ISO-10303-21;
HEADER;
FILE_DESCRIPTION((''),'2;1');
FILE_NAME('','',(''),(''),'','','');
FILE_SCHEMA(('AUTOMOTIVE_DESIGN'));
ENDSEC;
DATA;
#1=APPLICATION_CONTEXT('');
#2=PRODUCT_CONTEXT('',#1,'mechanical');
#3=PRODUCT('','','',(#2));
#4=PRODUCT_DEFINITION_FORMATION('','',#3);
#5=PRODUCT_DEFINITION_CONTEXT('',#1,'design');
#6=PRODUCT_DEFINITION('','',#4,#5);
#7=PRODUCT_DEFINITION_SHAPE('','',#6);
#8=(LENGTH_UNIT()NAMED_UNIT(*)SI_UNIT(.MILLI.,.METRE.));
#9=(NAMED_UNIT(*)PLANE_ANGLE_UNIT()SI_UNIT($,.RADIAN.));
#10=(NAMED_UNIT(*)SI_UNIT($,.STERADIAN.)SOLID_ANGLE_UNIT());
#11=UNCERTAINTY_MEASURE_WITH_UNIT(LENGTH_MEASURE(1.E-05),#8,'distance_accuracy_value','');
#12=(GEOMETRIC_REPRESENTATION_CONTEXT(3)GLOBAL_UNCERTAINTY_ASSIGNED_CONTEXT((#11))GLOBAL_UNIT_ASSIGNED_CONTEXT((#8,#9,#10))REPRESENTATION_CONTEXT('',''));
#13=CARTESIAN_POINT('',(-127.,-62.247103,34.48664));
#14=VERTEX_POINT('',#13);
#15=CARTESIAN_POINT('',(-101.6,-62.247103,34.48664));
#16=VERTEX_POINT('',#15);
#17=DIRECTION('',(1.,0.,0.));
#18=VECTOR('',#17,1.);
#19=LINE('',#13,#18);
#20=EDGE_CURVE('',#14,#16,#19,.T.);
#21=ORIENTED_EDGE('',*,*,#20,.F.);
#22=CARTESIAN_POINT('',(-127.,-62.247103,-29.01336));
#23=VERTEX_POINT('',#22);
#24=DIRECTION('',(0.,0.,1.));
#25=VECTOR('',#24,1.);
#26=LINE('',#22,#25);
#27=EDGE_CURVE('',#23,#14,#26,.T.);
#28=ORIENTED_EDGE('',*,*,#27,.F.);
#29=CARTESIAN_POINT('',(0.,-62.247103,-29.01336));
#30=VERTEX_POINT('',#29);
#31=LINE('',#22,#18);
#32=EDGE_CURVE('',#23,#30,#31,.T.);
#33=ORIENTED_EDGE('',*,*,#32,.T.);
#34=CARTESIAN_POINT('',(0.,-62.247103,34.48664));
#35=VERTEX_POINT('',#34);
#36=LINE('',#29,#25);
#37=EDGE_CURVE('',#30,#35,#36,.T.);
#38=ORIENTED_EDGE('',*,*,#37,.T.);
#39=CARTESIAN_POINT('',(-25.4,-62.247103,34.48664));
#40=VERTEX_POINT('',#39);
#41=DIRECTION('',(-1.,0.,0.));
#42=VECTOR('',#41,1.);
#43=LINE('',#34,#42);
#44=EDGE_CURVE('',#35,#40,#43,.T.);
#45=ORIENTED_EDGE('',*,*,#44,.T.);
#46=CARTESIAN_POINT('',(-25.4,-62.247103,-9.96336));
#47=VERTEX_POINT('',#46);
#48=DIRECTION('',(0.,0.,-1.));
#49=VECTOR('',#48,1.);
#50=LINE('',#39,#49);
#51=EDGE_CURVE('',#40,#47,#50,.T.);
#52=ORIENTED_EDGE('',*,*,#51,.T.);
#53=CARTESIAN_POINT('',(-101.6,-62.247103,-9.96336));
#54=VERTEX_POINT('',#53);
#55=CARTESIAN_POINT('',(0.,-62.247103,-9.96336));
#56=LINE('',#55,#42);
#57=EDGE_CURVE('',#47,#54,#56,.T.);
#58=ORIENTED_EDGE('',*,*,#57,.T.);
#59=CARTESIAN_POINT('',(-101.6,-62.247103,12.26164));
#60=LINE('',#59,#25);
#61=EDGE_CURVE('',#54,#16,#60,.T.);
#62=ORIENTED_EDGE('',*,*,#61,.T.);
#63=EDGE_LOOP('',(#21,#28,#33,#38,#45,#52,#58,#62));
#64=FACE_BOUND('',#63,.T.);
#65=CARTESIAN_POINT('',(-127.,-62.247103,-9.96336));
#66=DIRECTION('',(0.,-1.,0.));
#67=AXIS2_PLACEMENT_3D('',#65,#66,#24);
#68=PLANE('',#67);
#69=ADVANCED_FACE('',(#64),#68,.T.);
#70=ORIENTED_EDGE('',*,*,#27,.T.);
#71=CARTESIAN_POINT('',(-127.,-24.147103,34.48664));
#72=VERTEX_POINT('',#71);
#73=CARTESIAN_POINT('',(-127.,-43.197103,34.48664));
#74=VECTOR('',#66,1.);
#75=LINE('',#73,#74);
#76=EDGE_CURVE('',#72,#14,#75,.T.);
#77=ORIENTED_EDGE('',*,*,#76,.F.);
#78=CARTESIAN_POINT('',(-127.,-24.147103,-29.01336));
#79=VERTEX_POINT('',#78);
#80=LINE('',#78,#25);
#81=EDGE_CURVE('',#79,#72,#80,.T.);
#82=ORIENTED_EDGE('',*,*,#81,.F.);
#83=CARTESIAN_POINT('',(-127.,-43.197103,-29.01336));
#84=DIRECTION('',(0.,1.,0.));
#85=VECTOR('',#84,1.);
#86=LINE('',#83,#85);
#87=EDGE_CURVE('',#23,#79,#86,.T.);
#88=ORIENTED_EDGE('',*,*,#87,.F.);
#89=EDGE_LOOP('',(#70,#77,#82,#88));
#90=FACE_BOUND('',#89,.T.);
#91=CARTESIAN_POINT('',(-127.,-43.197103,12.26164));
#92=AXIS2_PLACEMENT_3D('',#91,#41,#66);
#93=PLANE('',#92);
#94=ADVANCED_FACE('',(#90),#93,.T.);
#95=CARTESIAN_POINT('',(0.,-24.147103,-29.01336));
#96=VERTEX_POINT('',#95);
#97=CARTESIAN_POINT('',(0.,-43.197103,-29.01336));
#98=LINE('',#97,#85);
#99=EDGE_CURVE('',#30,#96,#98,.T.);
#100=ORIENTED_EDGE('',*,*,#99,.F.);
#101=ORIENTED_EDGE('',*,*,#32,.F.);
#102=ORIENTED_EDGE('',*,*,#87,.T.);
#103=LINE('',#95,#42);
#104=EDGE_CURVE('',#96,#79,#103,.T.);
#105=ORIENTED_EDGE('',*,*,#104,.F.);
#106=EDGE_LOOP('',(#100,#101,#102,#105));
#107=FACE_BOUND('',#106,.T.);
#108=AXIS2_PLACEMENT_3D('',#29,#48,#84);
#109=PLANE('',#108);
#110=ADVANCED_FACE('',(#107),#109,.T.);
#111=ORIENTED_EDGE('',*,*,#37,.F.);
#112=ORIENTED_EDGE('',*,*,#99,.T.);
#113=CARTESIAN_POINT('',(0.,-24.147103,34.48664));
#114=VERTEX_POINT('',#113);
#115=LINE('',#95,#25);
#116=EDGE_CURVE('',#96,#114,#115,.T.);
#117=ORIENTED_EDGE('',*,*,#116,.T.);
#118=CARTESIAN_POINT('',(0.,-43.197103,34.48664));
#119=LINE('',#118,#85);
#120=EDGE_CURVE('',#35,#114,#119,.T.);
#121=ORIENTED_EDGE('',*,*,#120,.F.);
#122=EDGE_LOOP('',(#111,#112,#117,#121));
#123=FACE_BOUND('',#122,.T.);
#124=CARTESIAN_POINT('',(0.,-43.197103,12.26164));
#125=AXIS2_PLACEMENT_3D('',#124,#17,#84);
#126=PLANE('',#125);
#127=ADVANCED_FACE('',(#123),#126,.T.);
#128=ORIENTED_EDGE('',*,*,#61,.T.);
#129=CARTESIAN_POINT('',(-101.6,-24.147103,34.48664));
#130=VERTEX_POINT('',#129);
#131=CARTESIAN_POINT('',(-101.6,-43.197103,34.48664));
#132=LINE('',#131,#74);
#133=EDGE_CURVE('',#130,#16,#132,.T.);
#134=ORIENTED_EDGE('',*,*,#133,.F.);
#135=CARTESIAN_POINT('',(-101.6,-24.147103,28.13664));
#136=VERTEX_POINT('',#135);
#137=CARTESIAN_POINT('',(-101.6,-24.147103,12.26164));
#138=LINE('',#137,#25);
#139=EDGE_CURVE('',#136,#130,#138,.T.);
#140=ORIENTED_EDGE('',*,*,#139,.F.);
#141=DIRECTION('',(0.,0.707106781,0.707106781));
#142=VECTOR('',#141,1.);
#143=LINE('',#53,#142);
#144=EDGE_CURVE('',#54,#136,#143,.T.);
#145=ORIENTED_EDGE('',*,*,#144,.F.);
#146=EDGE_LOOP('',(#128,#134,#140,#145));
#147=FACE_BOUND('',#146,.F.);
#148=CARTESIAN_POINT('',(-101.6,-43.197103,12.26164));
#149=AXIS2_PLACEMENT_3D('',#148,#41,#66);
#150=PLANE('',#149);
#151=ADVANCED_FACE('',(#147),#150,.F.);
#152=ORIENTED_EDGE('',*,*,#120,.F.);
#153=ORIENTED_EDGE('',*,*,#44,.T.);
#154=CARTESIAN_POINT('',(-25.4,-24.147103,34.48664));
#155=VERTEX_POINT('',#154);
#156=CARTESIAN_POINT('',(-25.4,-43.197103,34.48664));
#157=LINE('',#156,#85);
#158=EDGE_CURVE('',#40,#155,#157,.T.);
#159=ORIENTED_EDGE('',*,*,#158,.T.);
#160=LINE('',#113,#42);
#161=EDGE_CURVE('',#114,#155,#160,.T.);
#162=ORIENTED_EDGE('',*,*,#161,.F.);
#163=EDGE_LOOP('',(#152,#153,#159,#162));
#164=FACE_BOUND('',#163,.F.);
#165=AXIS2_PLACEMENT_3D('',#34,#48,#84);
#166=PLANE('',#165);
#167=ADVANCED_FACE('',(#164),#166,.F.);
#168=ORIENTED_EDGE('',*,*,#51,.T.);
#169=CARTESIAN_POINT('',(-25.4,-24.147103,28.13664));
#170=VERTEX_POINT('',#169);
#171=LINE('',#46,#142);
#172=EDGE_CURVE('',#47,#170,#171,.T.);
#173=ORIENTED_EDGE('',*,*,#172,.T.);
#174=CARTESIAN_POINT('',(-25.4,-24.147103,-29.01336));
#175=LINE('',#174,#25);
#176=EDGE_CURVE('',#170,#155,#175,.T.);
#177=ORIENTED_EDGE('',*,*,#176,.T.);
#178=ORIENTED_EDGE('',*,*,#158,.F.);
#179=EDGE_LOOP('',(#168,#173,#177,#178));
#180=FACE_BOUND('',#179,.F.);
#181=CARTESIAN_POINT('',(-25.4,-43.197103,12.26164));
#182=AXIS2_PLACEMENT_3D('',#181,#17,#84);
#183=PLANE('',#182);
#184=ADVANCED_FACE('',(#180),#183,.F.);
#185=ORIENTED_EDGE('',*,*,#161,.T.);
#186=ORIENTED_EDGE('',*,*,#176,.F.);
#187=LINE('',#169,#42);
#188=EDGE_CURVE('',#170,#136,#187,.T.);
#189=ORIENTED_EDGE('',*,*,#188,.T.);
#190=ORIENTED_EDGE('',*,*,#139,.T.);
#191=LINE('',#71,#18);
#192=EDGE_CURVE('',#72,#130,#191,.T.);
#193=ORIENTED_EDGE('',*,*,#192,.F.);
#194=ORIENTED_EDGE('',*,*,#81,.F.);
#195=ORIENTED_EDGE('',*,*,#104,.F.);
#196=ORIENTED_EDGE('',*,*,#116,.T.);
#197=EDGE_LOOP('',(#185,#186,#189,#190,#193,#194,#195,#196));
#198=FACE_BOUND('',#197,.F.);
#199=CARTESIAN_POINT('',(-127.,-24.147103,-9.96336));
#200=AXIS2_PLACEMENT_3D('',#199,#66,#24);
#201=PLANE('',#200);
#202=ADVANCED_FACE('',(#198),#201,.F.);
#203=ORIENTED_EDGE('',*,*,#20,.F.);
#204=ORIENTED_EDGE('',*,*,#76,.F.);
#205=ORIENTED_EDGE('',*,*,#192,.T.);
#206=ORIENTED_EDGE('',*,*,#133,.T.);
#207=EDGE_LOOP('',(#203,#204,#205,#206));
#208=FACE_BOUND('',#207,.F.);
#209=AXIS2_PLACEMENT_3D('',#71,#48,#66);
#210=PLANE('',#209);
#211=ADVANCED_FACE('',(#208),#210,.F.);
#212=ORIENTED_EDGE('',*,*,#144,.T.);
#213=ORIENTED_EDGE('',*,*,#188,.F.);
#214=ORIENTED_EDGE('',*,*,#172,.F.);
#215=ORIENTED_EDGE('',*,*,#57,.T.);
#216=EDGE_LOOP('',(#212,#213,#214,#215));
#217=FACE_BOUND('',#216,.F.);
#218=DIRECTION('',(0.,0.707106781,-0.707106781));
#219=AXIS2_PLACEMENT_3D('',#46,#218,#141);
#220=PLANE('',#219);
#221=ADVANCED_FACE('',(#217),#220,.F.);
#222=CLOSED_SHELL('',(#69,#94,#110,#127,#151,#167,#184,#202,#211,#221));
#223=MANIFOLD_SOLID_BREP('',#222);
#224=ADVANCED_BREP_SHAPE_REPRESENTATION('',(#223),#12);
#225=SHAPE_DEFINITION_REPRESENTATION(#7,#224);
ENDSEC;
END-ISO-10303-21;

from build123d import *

# Parameters (mm, degrees)
F0_W     = 38.1
F0_H     = 19.05
F1_DEPTH = 127
F2_W     = 38.1
F2_H     = 44.45
F2_H_2   = 19.05
F3_DEPTH = 25.4
F5_DEPTH = 76.2
F6_W     = 38.1
F6_H     = 44.45
F7_DEPTH = 25.4


with BuildPart() as f1:
    # F0 (on Right) → F1 (new body)
    with BuildSketch(Plane.YZ):
        with Locations((-43.197103, -19.48836)):
            Rectangle(F0_W, F0_H)
    extrude(amount=-F1_DEPTH)

    # F2 (on face) → F3 (join)
    with BuildSketch(Plane.YZ):
        with Locations((-43.197103, 12.26164)):
            Rectangle(F2_W, F2_H)
        with Locations((-43.197103, -19.48836)):
            Rectangle(F2_W, F2_H_2)
    extrude(amount=-F3_DEPTH)

    # F4 (on face) → F5 (join)
    with BuildSketch(Plane(origin=(-25.4, 0, 0), x_dir=(0, -1, 0), z_dir=(-1, 0, 0))):
        Polygon((24.147103, -9.96336), (62.247103, -9.96336), (24.147103, 28.13664), align=None)
    extrude(amount=F5_DEPTH)

    # F6 (on face) → F7 (join)
    with BuildSketch(Plane(origin=(-127, 0, 0), x_dir=(0, -1, 0), z_dir=(-1, 0, 0))):
        with Locations((43.197103, 12.26164)):
            Rectangle(F6_W, F6_H)
    extrude(amount=-F7_DEPTH)


solid = f1.part
